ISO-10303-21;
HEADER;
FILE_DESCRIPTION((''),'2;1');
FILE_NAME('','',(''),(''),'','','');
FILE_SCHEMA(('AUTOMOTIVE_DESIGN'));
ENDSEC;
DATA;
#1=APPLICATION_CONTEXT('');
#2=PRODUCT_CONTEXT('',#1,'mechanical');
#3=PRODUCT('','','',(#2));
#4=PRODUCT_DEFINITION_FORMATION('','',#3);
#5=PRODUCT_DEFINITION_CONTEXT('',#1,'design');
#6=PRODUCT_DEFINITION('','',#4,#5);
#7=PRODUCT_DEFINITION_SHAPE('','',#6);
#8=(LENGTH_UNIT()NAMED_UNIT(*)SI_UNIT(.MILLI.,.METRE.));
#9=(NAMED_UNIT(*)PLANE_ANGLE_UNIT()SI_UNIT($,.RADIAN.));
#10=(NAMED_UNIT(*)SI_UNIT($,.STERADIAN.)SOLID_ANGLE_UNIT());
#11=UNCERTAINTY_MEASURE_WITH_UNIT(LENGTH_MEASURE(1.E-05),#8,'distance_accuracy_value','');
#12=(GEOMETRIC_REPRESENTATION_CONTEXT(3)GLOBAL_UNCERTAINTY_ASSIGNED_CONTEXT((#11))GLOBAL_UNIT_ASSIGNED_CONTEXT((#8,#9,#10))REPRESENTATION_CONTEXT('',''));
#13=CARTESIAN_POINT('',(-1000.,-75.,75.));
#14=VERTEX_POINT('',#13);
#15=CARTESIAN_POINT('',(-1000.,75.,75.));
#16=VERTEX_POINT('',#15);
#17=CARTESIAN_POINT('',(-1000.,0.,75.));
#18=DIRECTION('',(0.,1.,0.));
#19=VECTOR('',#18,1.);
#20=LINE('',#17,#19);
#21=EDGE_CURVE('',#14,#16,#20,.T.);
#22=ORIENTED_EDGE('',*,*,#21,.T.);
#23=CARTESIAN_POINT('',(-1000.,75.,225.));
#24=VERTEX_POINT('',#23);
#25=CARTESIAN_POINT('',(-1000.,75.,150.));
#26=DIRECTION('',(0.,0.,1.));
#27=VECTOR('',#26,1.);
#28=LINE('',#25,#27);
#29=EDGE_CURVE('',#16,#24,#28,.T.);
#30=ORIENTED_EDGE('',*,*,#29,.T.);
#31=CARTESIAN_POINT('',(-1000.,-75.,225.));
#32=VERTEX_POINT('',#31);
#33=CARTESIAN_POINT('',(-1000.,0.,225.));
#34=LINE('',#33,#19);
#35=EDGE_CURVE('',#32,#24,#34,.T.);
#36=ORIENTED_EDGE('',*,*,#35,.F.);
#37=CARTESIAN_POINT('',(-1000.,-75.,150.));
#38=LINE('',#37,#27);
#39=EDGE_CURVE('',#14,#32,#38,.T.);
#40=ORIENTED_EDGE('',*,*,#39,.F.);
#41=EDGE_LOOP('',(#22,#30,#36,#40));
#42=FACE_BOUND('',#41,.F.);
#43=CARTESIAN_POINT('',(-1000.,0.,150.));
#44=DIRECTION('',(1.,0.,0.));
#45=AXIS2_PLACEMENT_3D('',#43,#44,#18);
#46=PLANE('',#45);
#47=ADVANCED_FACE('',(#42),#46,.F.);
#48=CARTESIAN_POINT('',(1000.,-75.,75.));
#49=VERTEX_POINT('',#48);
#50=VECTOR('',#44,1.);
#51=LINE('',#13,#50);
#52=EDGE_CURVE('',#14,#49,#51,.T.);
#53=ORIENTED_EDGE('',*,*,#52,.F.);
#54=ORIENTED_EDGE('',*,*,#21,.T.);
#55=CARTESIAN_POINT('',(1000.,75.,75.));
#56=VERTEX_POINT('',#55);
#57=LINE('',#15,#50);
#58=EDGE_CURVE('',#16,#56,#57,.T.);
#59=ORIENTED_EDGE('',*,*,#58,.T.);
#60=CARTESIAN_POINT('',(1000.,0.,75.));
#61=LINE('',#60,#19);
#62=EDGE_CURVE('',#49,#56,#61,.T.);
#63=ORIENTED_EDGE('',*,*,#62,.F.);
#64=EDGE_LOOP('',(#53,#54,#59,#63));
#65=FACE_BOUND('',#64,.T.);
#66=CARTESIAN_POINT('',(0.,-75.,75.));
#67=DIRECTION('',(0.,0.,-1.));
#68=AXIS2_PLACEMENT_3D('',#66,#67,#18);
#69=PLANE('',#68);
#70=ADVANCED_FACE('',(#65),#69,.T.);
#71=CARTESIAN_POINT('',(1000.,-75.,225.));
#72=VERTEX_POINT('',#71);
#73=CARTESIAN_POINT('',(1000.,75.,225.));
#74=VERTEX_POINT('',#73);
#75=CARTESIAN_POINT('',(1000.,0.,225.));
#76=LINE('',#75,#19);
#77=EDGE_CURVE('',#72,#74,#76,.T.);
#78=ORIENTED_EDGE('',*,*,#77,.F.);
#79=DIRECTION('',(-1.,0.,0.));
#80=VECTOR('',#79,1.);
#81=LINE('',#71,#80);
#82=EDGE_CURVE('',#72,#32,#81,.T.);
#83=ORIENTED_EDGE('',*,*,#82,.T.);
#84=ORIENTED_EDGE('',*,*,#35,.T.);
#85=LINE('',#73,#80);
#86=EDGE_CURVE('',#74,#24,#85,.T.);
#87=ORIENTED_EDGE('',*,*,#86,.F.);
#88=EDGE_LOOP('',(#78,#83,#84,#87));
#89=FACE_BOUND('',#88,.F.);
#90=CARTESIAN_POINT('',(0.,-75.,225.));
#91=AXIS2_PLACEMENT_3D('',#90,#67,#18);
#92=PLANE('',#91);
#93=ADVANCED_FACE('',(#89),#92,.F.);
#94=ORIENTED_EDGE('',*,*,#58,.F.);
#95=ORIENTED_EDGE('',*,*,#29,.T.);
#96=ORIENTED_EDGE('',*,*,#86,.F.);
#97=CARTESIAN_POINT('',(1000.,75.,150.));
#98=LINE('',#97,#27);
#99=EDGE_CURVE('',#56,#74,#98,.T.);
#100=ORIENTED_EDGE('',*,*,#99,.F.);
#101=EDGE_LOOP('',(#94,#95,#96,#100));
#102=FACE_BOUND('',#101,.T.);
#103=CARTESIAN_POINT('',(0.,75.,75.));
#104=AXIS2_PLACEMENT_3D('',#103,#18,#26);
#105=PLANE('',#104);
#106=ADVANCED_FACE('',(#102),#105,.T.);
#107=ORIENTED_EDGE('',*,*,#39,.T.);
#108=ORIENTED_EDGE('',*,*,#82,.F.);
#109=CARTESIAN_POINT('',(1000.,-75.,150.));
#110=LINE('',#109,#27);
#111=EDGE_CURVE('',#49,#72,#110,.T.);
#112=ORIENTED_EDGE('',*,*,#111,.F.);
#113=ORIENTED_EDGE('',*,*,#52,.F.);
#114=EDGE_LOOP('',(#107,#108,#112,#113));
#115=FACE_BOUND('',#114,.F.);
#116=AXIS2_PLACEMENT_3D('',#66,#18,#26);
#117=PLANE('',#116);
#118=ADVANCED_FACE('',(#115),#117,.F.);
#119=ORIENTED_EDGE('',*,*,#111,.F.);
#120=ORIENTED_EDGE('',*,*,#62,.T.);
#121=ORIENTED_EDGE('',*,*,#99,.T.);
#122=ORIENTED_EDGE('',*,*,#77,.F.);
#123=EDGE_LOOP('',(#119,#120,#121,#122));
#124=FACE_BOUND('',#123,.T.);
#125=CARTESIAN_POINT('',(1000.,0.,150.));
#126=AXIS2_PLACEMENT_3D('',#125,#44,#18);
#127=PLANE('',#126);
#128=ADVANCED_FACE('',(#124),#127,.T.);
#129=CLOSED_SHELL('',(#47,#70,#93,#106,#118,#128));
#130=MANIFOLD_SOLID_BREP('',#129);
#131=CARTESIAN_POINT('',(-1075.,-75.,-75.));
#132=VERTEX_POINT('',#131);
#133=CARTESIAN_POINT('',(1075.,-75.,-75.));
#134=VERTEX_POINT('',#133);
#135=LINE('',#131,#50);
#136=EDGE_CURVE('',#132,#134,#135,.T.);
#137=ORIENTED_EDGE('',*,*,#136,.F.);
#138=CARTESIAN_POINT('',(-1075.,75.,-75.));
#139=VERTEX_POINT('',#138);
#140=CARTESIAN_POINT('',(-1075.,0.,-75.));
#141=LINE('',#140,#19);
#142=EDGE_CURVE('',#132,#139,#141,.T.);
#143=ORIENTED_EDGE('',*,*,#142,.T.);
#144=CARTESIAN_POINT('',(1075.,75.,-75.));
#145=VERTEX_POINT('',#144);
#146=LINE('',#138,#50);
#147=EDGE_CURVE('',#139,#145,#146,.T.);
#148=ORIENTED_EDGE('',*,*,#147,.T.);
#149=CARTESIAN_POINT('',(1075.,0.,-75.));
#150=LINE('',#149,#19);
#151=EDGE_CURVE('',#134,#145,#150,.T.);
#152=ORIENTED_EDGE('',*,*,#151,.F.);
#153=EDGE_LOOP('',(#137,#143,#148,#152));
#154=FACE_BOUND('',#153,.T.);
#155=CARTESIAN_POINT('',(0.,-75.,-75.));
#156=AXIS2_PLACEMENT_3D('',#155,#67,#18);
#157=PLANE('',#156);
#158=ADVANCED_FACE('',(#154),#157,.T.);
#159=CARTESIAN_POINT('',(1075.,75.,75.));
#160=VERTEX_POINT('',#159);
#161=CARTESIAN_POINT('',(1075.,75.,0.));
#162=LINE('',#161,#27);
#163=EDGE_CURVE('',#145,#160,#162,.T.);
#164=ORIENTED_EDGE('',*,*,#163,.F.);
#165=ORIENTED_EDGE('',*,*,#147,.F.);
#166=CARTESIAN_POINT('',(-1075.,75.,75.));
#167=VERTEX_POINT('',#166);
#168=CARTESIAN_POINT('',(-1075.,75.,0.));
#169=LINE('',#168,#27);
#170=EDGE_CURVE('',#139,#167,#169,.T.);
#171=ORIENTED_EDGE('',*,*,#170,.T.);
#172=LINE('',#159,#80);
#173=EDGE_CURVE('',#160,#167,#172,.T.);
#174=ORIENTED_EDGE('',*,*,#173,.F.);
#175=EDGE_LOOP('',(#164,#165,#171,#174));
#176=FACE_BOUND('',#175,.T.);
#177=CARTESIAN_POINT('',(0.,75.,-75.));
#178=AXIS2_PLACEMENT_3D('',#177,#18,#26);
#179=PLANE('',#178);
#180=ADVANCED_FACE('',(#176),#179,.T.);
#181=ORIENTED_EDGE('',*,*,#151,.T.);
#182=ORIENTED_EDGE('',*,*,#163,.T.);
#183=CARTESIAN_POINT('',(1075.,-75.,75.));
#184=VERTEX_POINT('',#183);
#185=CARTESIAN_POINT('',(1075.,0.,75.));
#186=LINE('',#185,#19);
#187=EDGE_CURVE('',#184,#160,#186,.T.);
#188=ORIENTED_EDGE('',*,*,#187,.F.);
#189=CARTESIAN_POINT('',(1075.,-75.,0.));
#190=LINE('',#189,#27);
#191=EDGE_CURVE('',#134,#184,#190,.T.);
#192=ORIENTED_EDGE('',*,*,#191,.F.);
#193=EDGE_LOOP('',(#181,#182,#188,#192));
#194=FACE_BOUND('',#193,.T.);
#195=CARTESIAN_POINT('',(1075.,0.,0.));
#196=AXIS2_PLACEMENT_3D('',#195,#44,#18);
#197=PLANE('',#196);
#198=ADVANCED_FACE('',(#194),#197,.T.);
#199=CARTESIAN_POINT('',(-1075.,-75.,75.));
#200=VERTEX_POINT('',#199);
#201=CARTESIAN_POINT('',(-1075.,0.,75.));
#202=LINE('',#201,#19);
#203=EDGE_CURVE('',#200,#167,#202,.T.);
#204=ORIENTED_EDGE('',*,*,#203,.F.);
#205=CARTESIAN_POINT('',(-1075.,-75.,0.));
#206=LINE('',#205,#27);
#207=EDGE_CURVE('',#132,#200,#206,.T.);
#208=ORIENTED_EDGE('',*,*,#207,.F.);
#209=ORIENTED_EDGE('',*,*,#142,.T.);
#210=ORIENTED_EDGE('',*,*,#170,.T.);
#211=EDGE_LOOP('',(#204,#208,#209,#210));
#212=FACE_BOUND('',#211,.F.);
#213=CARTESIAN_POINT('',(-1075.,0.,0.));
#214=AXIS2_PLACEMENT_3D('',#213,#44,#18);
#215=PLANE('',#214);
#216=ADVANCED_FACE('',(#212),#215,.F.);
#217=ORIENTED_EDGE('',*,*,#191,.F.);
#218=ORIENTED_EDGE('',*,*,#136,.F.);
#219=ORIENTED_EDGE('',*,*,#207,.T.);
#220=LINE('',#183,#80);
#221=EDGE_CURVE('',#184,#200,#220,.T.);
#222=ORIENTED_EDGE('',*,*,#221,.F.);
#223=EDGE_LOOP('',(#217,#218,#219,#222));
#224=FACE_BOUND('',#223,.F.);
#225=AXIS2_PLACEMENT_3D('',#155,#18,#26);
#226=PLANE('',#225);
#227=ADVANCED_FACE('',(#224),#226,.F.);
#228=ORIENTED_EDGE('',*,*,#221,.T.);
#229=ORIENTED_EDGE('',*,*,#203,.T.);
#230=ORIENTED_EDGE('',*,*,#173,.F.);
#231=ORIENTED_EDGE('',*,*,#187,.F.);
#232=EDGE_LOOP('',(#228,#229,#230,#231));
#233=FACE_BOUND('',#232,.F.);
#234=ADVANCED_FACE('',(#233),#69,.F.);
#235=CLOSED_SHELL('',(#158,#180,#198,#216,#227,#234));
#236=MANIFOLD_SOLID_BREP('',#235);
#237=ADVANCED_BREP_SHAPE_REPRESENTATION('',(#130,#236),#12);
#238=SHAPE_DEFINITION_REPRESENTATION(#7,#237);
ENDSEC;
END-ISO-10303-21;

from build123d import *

# Parameters (mm, degrees)
F0_W     = 150
F0_H     = 150
F1_DEPTH = 1075
F2_DEPTH = 1000


with BuildPart() as f1:
    # F0 (on Right) → F1 (new body, symmetric)
    with BuildSketch(Plane.YZ):
        Rectangle(F0_W, F0_H)
    extrude(amount=F1_DEPTH, both=True)


with BuildPart() as f2:
    # F0 (on Right) → F2 (new body, symmetric)
    with BuildSketch(Plane.YZ):
        with Locations((0, 150)):
            Rectangle(F0_W, F0_H)
    extrude(amount=F2_DEPTH, both=True)


solid = Compound([f1.part, f2.part])
